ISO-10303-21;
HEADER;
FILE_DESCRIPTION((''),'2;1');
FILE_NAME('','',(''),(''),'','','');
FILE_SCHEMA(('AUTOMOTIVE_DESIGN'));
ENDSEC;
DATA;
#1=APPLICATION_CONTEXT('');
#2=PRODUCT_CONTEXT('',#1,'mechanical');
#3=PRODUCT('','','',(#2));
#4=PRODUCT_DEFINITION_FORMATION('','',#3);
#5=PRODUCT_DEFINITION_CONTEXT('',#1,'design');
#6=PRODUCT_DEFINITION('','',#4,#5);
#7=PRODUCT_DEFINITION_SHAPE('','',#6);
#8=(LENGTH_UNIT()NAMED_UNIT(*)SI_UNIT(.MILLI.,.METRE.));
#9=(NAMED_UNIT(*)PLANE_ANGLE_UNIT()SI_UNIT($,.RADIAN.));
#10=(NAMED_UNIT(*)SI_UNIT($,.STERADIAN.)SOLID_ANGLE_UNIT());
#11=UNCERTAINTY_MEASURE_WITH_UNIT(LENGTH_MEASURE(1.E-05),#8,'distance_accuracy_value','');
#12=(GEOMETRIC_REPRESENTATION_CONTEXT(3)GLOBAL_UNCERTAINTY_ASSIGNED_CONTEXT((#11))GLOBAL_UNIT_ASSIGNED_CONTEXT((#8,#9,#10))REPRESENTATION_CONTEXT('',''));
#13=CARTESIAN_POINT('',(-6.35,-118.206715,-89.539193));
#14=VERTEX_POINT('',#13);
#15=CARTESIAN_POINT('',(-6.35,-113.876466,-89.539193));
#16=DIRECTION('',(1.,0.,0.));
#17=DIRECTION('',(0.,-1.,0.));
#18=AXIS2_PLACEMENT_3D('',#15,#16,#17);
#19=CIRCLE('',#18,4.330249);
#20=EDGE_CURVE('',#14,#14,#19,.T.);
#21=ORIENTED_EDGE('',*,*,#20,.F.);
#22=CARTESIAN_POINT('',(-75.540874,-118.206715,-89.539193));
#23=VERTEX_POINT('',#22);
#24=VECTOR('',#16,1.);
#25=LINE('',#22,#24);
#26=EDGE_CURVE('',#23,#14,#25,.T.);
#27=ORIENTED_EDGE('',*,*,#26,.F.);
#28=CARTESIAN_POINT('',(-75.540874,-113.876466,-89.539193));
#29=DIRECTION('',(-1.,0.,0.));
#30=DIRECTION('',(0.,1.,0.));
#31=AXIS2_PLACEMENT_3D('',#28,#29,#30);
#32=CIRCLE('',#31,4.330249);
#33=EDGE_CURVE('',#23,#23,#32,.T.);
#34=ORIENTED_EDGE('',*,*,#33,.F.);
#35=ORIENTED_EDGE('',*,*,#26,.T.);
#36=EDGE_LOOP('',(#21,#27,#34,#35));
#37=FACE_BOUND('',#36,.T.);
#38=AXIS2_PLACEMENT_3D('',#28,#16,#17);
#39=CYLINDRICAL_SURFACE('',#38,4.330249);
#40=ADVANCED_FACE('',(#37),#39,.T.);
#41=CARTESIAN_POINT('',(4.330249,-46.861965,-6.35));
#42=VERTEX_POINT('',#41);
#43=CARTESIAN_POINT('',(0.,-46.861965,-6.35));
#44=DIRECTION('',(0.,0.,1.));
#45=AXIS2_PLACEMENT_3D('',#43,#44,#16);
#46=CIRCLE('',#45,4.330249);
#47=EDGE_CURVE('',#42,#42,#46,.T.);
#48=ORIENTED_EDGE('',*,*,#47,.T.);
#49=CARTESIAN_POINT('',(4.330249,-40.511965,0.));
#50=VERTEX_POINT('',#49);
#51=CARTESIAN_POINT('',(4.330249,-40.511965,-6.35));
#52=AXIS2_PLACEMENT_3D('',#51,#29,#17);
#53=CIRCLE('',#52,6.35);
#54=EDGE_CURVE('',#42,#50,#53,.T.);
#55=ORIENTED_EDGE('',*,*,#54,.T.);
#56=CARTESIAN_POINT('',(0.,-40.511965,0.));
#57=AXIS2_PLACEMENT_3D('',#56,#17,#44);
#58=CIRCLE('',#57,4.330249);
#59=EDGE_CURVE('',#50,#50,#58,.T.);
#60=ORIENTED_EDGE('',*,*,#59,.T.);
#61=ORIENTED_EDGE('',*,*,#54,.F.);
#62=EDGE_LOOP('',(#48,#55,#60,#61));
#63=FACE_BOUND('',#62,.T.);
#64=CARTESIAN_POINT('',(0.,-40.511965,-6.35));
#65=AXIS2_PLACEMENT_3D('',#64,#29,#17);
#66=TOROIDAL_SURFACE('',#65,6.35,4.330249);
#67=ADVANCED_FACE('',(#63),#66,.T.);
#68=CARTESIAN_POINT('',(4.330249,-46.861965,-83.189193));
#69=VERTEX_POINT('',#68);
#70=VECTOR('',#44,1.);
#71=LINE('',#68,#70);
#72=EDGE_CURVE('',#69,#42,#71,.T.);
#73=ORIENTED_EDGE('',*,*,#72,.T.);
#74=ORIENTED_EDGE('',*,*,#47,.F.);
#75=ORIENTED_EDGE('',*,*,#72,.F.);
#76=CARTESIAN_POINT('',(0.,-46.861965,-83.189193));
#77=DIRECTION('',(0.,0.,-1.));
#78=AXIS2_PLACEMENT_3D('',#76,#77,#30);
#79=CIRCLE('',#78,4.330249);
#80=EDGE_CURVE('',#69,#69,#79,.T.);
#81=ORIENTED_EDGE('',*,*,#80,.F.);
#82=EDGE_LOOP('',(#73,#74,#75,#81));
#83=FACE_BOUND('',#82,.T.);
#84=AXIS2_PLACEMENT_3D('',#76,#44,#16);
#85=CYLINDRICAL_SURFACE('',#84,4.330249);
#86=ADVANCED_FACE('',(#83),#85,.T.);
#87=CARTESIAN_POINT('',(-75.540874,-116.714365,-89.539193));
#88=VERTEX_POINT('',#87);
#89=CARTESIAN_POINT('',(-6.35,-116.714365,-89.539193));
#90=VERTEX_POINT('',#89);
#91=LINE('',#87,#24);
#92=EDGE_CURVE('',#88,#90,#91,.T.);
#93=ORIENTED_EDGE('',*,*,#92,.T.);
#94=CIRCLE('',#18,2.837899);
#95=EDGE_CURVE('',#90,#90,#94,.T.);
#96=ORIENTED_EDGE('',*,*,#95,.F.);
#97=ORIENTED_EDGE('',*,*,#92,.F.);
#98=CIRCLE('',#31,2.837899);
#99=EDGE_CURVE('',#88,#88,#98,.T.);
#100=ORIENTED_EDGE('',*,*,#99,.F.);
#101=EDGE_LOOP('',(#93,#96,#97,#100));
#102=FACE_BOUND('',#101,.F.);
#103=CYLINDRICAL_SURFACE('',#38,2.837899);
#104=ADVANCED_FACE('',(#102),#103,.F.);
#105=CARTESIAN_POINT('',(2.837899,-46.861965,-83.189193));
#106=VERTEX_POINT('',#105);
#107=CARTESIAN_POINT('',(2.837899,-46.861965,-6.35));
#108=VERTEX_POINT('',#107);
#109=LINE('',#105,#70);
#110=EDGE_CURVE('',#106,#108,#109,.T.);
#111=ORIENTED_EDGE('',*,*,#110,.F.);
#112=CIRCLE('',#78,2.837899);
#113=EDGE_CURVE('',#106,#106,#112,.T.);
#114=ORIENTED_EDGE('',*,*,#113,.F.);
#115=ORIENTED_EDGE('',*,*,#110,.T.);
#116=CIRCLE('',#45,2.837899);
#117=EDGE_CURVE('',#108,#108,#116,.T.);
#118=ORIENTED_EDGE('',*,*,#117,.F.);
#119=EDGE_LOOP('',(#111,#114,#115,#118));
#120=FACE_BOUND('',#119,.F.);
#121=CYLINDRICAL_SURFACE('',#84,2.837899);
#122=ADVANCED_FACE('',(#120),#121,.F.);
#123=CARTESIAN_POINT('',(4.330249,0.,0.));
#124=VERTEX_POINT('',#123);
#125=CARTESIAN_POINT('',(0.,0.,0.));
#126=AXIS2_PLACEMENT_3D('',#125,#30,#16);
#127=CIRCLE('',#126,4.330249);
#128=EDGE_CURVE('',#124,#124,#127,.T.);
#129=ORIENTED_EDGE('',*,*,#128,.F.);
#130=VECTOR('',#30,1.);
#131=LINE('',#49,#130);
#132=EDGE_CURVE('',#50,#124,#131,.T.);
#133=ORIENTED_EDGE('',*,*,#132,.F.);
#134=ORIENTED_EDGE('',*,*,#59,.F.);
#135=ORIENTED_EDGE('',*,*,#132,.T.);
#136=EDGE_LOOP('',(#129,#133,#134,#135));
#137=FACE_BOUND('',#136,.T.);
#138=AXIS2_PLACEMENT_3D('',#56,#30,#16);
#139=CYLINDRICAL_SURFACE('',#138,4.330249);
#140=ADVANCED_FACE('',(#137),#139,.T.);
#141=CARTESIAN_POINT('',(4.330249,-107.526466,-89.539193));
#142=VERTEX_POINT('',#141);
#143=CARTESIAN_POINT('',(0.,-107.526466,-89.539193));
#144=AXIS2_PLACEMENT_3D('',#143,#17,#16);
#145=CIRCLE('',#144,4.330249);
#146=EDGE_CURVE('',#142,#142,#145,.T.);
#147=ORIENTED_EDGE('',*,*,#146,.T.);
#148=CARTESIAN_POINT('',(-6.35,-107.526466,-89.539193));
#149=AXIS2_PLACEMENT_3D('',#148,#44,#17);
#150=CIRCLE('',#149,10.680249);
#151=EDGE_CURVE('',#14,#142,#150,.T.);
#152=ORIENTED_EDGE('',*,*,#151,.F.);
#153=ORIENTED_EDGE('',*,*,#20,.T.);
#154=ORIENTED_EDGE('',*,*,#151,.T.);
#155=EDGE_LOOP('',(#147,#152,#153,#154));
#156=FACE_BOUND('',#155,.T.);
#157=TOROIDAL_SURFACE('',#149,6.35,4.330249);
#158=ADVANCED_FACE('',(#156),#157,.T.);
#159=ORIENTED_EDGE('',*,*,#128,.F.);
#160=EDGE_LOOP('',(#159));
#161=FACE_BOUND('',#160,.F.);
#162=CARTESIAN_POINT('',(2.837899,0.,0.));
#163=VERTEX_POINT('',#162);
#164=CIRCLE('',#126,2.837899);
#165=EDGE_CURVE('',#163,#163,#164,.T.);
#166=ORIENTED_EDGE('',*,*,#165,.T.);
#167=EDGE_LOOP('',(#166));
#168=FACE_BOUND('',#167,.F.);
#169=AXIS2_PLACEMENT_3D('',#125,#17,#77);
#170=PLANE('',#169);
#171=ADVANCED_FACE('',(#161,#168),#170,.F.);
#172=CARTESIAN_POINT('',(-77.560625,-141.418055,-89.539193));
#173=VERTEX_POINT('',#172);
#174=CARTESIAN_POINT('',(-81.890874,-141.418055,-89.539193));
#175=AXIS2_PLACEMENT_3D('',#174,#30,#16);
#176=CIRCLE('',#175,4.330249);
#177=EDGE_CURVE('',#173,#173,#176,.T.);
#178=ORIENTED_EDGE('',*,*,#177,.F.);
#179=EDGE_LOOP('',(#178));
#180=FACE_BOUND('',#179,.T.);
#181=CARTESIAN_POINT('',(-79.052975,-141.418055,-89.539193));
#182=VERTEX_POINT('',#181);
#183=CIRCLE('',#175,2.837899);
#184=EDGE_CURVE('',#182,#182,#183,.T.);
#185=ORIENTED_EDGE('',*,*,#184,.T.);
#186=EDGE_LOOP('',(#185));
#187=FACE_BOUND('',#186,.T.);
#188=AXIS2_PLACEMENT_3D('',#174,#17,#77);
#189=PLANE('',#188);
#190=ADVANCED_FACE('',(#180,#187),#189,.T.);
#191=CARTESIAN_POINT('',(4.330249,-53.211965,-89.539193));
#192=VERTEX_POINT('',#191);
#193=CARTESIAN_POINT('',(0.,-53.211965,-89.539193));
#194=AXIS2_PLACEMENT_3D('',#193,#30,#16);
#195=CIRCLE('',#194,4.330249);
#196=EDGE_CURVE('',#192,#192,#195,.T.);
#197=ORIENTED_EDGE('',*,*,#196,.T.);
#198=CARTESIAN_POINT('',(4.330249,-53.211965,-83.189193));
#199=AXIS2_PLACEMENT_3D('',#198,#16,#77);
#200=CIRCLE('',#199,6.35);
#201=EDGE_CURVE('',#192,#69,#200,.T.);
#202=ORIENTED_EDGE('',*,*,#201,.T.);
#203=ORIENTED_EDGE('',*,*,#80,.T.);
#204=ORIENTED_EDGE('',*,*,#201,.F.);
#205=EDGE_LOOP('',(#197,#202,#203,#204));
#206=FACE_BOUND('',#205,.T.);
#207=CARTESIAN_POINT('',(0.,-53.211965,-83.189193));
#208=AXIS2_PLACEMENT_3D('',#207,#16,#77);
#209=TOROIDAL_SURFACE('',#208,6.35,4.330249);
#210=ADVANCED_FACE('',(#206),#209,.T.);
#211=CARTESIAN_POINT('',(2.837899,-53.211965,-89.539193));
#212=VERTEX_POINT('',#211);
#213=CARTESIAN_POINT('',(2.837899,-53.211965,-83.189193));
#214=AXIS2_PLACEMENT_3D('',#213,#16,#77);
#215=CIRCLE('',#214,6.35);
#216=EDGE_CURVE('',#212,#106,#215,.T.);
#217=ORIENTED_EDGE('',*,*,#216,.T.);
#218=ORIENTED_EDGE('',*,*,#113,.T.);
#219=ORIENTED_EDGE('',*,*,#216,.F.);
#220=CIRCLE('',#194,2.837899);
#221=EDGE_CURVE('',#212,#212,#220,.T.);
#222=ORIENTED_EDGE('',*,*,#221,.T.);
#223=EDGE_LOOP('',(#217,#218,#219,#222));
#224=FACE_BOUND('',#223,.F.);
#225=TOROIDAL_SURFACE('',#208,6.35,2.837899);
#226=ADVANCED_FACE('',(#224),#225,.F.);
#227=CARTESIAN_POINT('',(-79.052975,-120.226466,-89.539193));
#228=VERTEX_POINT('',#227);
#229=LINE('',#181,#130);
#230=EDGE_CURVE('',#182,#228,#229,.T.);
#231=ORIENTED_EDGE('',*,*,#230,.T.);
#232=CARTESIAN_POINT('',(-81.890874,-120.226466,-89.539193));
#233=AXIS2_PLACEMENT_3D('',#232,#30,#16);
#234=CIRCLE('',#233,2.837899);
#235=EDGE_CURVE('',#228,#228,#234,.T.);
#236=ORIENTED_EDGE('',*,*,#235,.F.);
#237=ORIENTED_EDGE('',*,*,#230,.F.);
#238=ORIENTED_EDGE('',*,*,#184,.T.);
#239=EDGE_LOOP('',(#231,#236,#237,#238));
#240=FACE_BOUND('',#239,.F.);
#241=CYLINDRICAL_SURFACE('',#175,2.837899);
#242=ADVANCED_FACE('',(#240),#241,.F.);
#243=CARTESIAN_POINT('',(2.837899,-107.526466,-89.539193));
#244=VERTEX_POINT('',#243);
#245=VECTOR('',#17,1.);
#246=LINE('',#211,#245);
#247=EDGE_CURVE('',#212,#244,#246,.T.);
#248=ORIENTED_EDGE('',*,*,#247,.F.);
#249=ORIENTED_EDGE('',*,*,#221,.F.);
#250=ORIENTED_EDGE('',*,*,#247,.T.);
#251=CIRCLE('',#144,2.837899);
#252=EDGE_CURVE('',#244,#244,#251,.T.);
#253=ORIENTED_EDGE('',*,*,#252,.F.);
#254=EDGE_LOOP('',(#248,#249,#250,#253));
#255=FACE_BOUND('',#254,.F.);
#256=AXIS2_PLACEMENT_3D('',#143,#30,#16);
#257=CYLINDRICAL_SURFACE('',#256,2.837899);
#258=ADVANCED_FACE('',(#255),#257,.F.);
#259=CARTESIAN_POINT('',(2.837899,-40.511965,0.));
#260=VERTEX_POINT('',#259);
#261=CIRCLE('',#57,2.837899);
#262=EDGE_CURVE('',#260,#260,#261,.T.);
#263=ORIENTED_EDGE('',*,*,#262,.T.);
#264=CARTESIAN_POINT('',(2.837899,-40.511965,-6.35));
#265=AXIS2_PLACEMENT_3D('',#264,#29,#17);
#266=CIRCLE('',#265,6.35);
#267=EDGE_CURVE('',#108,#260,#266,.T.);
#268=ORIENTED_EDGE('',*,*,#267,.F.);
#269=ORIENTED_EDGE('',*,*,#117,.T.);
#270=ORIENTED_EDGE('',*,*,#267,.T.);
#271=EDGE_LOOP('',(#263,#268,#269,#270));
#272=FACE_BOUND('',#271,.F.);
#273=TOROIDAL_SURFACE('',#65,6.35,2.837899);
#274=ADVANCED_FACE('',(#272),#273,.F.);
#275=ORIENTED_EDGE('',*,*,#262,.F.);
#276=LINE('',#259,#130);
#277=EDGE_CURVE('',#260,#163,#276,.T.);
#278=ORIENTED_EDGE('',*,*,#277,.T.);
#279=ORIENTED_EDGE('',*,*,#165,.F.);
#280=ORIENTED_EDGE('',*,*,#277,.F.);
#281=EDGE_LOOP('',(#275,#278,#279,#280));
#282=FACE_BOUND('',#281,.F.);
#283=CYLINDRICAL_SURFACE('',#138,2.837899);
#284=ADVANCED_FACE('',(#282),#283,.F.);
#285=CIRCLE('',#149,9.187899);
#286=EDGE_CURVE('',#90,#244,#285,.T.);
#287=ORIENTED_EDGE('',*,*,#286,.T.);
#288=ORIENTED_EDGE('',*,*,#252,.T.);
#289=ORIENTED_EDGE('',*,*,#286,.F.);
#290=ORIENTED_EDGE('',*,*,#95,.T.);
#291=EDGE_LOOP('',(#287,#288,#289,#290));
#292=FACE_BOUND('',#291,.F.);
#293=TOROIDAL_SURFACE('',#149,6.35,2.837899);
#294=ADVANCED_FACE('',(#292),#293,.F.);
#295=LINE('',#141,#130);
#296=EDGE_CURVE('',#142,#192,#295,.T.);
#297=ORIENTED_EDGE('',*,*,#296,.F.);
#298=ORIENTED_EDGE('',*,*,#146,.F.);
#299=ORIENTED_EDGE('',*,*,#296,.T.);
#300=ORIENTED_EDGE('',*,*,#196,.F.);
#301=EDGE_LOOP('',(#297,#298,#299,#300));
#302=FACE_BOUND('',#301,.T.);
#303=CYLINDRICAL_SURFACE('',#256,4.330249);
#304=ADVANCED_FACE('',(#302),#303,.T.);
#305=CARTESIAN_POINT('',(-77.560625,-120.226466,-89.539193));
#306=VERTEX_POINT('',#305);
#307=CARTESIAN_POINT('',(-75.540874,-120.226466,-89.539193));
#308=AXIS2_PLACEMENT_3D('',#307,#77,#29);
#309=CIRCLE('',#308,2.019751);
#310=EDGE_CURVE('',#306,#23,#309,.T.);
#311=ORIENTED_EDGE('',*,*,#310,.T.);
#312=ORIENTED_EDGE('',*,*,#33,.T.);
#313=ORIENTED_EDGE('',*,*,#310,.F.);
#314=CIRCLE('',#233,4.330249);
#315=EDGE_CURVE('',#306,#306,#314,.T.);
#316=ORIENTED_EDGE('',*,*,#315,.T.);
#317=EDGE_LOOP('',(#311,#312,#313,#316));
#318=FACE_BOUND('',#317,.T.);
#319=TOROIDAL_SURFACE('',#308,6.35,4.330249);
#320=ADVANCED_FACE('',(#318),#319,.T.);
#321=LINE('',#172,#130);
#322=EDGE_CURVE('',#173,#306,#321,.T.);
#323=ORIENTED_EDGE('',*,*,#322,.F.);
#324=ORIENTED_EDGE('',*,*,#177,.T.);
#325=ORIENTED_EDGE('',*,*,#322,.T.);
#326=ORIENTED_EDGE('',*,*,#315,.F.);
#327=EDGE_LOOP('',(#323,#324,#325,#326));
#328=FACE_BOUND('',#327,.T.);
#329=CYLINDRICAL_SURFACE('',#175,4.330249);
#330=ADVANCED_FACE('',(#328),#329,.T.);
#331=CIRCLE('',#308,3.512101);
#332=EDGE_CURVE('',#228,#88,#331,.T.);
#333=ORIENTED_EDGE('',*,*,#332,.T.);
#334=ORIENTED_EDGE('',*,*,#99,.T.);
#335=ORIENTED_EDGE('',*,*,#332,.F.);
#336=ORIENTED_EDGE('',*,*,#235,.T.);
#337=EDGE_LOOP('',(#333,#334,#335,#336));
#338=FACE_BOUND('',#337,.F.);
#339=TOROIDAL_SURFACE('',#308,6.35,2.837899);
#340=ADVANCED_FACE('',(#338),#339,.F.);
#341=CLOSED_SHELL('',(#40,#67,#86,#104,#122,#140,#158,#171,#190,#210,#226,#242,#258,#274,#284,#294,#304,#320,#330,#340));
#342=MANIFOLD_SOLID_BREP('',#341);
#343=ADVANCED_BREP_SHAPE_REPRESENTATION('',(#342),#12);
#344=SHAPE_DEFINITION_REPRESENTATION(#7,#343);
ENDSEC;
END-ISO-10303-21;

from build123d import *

# Parameters (mm, degrees)
F0_R   = 4.3302486937
F0_R_2 = 2.8378989686
F3_R   = 4.3302486937
F3_R_2 = 2.8378989686


with BuildPart() as f2:
    # F2: sweep along a path in F1
    with BuildLine(Plane.YZ) as f2_path:
        Line((-93.2016074657, -89.5391926169), (-53.2119652092, -89.5391926169))
        ThreePointArc((-53.2119652092, -89.5391926169), (-48.7218371487, -87.6793206775), (-46.8619652092, -83.1891926169))
        Line((-46.8619652092, -83.1891926169), (-46.8619652092, -6.35))
        ThreePointArc((-46.8619652092, -6.35), (-45.0020932698, -1.8598719395), (-40.5119652092, 0))
        Line((-40.5119652092, 0), (0, 0))
    # F0 (on Front) → F2 (sweep)
    with BuildSketch(Plane.XZ):
        Circle(F0_R)
        Circle(F0_R_2, mode=Mode.SUBTRACT)
    sweep(path=f2_path.line)

    # F6: sweep along a path in F5
    with BuildLine(Plane.XY.offset(-89.5391926169)) as f6_path:
        Line((-81.890873611, -141.4180546999), (-81.890873611, -120.2264662504))
        ThreePointArc((-81.890873611, -120.2264662504), (-80.0310016715, -115.7363381899), (-75.540873611, -113.8764662504))
        Line((-75.540873611, -113.8764662504), (-6.35, -113.8764662504))
        ThreePointArc((-6.35, -113.8764662504), (-1.8598719395, -112.016594311), (0, -107.5264662504))
        Line((0, -107.5264662504), (0, -93.2016074657))
    # F3 (on face) → F6 (sweep)
    with BuildSketch(Plane.XZ.offset(93.2016074657)):
        with Locations((0, -89.5391926169)):
            Circle(F3_R)
        with Locations((0, -89.5391926169)):
            Circle(F3_R_2, mode=Mode.SUBTRACT)
    sweep(path=f6_path.line)


solid = f2.part
